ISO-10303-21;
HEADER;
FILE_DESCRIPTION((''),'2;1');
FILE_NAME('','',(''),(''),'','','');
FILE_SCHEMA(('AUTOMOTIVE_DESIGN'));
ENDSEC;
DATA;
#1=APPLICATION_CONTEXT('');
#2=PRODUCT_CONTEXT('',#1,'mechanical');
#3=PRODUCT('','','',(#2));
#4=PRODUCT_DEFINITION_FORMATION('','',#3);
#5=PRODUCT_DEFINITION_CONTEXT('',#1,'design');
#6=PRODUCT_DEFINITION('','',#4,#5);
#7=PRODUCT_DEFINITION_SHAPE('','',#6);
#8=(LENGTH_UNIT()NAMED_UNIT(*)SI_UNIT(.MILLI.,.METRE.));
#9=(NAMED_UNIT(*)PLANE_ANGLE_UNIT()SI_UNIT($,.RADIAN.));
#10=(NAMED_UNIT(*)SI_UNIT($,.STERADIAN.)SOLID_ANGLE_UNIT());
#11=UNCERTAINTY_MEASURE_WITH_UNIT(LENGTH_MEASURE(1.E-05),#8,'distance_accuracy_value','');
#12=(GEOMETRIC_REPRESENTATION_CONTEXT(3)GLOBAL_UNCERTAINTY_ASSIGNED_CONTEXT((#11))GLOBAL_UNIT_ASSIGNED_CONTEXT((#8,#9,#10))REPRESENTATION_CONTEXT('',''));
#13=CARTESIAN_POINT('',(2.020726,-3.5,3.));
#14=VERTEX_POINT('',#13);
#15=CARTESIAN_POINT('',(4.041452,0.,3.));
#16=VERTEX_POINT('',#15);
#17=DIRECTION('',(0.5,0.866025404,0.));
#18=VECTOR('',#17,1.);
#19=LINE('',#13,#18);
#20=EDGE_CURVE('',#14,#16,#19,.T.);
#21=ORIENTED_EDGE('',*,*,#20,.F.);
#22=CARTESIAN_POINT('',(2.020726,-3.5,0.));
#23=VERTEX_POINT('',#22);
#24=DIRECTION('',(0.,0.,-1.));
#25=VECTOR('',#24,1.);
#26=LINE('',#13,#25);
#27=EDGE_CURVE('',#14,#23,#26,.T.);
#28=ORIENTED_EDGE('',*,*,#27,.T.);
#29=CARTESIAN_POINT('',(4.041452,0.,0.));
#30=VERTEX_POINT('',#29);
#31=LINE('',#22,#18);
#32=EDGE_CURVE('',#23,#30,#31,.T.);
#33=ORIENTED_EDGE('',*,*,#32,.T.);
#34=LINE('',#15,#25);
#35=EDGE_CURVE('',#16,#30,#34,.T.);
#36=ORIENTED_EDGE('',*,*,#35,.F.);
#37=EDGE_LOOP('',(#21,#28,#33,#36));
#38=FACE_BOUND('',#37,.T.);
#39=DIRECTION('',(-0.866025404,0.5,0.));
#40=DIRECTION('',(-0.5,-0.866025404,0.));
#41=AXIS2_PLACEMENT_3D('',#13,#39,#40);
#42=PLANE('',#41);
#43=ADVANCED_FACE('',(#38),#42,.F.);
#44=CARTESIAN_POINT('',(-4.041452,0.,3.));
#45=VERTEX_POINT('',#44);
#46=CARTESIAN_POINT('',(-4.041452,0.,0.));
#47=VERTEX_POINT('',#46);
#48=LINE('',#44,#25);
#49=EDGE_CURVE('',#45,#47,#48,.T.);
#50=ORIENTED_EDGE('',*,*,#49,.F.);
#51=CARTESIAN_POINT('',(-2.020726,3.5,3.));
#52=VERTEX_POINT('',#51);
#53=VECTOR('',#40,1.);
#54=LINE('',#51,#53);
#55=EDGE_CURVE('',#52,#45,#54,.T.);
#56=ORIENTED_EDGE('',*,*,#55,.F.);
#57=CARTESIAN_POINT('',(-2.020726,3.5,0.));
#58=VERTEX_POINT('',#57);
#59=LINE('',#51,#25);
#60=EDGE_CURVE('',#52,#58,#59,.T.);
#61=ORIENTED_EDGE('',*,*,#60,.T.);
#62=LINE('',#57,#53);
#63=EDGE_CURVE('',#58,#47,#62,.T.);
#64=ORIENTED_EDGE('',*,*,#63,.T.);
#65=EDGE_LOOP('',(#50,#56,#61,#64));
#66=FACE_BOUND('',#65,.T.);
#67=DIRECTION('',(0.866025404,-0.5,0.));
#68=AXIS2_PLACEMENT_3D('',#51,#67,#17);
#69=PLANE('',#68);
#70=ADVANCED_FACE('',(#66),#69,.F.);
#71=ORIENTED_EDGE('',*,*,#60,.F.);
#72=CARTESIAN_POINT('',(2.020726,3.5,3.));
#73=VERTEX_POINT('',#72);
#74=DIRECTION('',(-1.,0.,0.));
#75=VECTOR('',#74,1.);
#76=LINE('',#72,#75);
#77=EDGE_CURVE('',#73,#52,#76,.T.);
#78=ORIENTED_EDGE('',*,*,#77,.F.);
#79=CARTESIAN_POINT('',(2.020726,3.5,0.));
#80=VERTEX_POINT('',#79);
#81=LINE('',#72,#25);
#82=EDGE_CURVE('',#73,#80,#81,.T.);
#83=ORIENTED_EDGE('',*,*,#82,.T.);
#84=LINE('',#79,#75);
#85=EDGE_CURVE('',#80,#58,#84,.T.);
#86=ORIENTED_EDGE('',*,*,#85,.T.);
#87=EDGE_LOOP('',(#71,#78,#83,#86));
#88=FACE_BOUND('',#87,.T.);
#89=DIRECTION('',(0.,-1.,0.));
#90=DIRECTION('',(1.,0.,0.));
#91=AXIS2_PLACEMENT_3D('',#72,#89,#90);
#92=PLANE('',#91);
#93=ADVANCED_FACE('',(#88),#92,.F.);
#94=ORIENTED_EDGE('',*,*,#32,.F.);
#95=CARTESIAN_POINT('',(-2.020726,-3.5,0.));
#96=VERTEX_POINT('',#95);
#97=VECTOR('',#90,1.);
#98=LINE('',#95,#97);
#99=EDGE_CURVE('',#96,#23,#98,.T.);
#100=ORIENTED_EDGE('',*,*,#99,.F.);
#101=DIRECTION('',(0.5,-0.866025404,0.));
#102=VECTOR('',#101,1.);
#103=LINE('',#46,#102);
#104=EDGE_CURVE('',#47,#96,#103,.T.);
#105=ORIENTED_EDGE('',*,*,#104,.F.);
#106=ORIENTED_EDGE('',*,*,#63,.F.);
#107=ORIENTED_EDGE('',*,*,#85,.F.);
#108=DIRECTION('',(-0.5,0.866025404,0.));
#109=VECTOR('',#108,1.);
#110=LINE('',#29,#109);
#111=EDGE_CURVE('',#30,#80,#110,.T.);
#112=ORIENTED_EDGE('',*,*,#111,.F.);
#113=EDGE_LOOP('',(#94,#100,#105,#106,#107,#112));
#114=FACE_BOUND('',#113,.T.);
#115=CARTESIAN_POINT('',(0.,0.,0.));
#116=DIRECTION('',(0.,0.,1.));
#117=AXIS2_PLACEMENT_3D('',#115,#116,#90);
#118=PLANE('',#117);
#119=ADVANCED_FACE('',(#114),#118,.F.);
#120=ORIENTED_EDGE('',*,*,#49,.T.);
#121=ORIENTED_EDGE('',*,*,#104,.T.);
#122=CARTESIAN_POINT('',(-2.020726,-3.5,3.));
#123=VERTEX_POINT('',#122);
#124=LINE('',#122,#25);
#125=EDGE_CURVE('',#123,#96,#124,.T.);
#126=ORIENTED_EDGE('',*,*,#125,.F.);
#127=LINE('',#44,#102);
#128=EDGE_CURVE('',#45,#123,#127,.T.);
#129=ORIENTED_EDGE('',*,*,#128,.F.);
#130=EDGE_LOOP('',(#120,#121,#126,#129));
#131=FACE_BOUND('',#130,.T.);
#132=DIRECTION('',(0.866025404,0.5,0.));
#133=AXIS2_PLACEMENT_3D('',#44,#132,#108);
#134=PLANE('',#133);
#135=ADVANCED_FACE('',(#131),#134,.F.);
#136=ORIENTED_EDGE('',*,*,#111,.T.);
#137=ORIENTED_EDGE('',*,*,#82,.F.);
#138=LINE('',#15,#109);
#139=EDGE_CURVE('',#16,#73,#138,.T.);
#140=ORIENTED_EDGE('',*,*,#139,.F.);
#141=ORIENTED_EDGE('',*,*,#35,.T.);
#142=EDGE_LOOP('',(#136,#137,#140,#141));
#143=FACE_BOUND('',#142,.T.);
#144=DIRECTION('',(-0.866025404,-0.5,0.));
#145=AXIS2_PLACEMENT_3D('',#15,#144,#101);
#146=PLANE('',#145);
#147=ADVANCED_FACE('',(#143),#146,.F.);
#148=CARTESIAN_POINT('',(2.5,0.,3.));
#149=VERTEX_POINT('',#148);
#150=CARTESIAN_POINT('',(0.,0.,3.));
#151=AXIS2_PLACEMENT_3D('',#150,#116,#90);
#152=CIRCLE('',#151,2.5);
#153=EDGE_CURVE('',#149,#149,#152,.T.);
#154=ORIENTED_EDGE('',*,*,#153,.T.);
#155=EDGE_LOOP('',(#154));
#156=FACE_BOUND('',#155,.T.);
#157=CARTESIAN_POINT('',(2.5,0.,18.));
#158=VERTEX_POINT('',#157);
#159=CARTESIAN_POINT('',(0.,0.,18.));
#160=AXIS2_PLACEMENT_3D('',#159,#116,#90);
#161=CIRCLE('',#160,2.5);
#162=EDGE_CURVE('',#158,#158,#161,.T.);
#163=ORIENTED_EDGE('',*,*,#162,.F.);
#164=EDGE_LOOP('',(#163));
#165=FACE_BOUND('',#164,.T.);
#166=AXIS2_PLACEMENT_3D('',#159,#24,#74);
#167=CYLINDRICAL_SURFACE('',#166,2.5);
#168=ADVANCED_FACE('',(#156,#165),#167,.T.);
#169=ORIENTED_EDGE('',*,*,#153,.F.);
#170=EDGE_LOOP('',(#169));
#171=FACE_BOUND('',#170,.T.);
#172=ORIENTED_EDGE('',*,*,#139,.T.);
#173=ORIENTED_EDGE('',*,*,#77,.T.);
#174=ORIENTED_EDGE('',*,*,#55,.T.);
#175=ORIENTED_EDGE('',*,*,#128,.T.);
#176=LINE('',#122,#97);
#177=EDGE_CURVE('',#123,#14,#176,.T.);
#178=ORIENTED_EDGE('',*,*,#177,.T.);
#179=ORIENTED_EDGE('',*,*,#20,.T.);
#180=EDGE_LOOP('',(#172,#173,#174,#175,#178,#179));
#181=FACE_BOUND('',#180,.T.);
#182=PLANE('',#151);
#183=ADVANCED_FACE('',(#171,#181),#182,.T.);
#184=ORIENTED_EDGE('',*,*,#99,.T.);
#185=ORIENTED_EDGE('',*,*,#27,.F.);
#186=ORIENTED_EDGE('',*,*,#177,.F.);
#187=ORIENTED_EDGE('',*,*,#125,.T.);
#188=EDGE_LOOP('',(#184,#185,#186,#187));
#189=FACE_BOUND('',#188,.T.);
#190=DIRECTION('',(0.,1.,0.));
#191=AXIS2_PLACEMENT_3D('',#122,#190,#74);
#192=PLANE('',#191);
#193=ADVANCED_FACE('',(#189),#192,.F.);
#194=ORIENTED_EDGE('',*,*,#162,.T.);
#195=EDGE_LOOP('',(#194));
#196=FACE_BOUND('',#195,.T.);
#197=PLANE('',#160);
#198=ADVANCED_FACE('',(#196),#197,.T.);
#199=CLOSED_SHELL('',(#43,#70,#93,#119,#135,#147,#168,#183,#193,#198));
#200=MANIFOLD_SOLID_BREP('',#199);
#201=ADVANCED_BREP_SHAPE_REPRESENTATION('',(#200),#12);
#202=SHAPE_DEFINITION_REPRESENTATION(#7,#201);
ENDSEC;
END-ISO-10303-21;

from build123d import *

# Parameters (mm, degrees)
BOSS_EXTRUDE1_DEPTH = 3
SKETCH2_R           = 2.5
BOSS_EXTRUDE2_DEPTH = 15


with BuildPart() as part:
    # Sketch1 → Boss-Extrude1 (new body)
    with BuildSketch(Plane.XY):
        Polygon((4.041451884, 0), (2.020725942, 3.5), (-2.020725942, 3.5), (-4.041451884, 0), (-2.020725942, -3.5), (2.020725942, -3.5), align=None)
    extrude(amount=BOSS_EXTRUDE1_DEPTH)

    # Sketch2 → Boss-Extrude2 (add)
    with BuildSketch(Plane.XY.offset(3)):
        Circle(SKETCH2_R)
    extrude(amount=BOSS_EXTRUDE2_DEPTH)


solid = part.part
